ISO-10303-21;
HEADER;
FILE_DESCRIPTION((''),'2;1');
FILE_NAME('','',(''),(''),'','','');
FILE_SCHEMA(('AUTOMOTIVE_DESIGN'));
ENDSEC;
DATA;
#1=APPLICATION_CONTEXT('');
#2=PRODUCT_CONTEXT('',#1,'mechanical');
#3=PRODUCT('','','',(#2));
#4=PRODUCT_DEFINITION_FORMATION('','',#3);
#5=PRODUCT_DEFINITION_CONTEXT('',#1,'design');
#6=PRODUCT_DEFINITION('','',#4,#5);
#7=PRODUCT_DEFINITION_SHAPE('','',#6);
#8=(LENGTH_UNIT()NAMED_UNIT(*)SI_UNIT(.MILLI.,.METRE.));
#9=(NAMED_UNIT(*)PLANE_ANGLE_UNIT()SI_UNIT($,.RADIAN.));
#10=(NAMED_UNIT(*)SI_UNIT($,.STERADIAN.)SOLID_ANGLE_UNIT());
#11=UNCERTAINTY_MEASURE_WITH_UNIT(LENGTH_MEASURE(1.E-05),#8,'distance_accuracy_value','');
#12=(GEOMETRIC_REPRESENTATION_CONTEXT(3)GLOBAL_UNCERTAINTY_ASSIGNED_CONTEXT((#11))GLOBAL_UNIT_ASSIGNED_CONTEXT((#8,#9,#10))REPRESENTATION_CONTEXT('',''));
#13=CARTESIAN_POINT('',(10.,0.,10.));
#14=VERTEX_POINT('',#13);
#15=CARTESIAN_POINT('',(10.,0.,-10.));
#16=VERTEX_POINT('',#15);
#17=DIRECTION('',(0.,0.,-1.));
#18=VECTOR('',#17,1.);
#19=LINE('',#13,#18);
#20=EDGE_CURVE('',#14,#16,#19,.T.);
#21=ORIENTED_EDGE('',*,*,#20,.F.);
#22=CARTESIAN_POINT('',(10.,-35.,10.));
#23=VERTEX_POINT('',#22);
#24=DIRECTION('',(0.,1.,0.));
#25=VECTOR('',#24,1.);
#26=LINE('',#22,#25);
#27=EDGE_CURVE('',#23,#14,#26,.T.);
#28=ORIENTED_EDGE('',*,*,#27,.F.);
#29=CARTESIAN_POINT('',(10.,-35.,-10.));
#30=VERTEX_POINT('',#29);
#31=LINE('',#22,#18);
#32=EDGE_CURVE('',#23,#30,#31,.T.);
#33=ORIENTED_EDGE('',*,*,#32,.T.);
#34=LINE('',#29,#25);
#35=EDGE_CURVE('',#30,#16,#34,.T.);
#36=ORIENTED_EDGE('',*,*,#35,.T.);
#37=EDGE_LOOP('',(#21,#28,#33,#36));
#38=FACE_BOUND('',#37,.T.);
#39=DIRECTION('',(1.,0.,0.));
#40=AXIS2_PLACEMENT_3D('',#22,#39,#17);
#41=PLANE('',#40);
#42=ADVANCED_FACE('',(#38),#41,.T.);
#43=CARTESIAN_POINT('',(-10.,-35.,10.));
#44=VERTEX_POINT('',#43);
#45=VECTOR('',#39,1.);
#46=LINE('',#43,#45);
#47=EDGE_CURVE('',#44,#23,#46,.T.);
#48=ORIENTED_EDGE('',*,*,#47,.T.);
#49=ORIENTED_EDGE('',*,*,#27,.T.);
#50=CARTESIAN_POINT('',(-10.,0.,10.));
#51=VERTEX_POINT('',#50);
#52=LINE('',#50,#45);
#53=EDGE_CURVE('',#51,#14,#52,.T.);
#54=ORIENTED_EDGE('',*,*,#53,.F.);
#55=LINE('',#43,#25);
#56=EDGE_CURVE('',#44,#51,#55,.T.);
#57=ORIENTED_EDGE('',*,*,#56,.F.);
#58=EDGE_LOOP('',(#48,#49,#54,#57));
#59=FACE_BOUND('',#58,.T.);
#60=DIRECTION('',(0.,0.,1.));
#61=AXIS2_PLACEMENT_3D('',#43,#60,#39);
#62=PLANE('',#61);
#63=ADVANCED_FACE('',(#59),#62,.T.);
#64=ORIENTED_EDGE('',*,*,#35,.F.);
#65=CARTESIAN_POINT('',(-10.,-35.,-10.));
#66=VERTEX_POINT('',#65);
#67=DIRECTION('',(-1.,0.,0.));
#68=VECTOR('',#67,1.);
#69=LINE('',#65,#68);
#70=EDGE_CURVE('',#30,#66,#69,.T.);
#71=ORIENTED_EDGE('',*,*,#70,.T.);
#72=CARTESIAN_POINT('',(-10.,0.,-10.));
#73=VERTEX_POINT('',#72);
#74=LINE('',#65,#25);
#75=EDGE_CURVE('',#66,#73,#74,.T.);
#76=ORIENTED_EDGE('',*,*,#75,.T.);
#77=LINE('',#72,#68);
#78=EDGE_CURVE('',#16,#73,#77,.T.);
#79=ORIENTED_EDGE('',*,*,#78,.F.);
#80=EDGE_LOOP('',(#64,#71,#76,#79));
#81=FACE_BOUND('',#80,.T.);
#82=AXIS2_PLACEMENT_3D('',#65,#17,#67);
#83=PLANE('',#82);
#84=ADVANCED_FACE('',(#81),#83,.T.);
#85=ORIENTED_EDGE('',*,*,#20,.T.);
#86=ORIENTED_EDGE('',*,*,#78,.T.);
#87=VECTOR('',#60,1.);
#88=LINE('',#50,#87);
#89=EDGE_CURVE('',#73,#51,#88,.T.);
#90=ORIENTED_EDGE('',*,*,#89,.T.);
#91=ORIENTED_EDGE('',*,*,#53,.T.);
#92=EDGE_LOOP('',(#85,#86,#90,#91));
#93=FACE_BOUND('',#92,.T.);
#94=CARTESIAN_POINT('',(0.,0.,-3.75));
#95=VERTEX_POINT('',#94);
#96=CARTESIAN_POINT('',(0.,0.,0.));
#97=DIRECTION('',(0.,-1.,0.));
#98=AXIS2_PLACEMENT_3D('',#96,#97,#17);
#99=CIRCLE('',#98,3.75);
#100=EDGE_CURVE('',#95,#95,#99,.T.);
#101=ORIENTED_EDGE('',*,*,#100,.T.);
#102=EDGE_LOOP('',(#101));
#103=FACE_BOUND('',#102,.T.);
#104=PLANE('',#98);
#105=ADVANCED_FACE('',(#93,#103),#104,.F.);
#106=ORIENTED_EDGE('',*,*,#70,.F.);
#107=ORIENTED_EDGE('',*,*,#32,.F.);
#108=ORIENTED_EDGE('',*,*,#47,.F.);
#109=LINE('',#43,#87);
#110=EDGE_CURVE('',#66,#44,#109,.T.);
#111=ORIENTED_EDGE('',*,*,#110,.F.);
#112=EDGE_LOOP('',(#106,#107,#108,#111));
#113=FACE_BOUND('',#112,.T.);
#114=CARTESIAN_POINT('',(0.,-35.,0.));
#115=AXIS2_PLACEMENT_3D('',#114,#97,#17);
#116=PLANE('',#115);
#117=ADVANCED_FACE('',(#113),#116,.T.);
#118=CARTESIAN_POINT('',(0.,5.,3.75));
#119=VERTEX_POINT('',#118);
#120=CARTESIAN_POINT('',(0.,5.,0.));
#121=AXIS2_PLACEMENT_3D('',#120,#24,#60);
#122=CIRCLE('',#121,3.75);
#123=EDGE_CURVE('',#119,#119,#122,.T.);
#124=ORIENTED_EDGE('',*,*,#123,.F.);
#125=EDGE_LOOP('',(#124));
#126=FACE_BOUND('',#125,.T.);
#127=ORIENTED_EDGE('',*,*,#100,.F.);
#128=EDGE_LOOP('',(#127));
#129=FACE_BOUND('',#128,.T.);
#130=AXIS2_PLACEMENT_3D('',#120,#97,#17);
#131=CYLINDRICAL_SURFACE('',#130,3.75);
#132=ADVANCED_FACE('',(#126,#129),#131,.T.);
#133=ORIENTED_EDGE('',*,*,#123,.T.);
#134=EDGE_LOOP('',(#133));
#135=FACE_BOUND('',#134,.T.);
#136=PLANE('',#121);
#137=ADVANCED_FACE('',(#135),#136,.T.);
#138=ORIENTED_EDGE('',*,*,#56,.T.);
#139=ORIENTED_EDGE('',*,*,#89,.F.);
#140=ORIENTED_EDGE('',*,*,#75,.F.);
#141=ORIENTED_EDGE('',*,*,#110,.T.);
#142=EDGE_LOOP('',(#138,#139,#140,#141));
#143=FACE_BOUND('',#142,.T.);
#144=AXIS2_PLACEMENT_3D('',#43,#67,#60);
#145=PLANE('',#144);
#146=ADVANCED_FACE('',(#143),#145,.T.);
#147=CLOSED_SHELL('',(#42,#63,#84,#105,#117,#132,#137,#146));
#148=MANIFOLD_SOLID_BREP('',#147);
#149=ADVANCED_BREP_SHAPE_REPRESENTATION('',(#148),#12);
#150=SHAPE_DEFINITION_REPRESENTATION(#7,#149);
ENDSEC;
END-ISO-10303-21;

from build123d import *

# Parameters (mm, degrees)
SKETCH2_R           = 3.75
BOSS_EXTRUDE1_DEPTH = 5
SKETCH1_W           = 20
SKETCH1_H           = 20
BOSS_EXTRUDE2_DEPTH = 35


with BuildPart() as part:
    # Sketch2 → Boss-Extrude1 (new body)
    with BuildSketch(Plane(origin=(0, 0, 0), x_dir=(1, 0, 0), z_dir=(0, 1, 0))):
        with Locations(Location((0, 0, 0), (0, 0, 270))):
            Circle(SKETCH2_R)
    extrude(amount=BOSS_EXTRUDE1_DEPTH)

    # Sketch1 → Boss-Extrude2 (add)
    with BuildSketch(Plane(origin=(0, 0, 0), x_dir=(1, 0, 0), z_dir=(0, 1, 0))):
        Rectangle(SKETCH1_W, SKETCH1_H)
    extrude(amount=-BOSS_EXTRUDE2_DEPTH)


solid = part.part
